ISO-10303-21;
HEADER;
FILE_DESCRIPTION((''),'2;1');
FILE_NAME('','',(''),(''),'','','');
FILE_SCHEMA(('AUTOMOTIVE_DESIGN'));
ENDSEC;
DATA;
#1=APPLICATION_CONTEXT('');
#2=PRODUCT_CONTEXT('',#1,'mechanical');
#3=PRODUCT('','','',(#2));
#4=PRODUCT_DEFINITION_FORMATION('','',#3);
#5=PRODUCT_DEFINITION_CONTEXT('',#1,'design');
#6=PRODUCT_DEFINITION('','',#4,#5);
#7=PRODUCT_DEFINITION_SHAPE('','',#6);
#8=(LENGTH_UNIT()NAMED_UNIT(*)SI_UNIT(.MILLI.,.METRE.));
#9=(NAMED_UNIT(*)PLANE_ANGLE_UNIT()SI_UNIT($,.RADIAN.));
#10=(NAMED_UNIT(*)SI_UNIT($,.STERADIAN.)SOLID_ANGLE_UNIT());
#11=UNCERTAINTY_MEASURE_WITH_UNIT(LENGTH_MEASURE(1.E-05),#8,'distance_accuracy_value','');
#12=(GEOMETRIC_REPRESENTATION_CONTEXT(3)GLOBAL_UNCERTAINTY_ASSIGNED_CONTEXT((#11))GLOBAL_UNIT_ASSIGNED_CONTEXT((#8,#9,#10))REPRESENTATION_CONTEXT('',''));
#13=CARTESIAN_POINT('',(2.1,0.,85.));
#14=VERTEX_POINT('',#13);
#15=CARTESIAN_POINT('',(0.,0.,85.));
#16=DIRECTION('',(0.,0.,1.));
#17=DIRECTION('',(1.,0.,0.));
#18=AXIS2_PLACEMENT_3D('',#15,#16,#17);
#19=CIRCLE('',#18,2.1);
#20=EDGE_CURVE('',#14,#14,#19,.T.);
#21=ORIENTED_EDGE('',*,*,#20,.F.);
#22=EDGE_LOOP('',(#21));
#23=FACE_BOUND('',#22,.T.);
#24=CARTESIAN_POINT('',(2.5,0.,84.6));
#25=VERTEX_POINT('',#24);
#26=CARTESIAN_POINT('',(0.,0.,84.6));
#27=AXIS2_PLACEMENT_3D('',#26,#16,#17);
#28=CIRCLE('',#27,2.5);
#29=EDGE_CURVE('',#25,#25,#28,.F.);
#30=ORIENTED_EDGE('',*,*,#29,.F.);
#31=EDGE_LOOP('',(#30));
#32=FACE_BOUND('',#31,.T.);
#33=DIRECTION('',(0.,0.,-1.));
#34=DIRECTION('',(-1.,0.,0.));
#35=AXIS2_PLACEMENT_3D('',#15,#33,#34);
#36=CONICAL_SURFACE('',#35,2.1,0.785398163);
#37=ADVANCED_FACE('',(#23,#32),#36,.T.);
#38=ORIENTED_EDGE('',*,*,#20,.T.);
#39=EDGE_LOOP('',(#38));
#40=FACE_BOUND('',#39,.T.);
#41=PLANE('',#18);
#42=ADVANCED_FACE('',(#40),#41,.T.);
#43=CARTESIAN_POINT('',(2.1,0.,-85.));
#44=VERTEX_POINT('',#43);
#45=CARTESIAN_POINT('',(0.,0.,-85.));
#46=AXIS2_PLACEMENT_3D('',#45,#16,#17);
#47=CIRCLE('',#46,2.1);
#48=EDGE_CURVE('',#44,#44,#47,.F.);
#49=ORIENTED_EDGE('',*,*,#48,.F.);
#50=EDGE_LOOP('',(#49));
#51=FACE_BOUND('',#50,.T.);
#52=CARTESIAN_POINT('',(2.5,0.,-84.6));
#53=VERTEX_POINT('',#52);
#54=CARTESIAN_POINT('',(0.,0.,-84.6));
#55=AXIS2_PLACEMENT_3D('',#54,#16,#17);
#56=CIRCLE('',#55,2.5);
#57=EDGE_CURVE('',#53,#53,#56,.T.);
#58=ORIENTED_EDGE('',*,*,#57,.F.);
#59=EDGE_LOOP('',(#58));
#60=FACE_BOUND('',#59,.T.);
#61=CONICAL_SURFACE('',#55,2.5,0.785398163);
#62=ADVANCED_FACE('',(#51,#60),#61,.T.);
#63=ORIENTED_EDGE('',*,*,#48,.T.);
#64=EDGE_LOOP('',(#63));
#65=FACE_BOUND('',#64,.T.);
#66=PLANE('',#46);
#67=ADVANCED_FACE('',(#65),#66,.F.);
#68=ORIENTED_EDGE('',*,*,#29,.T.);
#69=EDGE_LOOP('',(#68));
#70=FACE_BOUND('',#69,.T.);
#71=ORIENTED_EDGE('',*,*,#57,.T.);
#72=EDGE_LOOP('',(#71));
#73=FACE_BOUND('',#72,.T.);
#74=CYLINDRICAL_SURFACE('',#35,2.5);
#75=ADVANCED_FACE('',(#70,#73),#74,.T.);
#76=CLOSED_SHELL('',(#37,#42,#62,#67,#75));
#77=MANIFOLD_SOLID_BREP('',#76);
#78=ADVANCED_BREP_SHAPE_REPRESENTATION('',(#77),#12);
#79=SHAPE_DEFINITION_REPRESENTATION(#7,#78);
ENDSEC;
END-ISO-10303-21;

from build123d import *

# Parameters (mm, degrees)
SKIZZE1_R                       = 2.5
AUFSATZ_LINEAR_AUSTRAGEN1_DEPTH = 85
FASE1_SIZE                      = 0.4


with BuildPart() as part:
    # Skizze1 → Aufsatz-Linear austragen1 (new, symmetric)
    with BuildSketch(Plane.XY):
        Circle(SKIZZE1_R)
    extrude(amount=AUFSATZ_LINEAR_AUSTRAGEN1_DEPTH, both=True)

    # Fase1
    fase1_edges = [part.edges().sort_by_distance(p)[0] for p in [
        (-2.5, 0, -85),
        (-2.5, 0, 85),
    ]]
    chamfer(fase1_edges, length=FASE1_SIZE)


solid = part.part
